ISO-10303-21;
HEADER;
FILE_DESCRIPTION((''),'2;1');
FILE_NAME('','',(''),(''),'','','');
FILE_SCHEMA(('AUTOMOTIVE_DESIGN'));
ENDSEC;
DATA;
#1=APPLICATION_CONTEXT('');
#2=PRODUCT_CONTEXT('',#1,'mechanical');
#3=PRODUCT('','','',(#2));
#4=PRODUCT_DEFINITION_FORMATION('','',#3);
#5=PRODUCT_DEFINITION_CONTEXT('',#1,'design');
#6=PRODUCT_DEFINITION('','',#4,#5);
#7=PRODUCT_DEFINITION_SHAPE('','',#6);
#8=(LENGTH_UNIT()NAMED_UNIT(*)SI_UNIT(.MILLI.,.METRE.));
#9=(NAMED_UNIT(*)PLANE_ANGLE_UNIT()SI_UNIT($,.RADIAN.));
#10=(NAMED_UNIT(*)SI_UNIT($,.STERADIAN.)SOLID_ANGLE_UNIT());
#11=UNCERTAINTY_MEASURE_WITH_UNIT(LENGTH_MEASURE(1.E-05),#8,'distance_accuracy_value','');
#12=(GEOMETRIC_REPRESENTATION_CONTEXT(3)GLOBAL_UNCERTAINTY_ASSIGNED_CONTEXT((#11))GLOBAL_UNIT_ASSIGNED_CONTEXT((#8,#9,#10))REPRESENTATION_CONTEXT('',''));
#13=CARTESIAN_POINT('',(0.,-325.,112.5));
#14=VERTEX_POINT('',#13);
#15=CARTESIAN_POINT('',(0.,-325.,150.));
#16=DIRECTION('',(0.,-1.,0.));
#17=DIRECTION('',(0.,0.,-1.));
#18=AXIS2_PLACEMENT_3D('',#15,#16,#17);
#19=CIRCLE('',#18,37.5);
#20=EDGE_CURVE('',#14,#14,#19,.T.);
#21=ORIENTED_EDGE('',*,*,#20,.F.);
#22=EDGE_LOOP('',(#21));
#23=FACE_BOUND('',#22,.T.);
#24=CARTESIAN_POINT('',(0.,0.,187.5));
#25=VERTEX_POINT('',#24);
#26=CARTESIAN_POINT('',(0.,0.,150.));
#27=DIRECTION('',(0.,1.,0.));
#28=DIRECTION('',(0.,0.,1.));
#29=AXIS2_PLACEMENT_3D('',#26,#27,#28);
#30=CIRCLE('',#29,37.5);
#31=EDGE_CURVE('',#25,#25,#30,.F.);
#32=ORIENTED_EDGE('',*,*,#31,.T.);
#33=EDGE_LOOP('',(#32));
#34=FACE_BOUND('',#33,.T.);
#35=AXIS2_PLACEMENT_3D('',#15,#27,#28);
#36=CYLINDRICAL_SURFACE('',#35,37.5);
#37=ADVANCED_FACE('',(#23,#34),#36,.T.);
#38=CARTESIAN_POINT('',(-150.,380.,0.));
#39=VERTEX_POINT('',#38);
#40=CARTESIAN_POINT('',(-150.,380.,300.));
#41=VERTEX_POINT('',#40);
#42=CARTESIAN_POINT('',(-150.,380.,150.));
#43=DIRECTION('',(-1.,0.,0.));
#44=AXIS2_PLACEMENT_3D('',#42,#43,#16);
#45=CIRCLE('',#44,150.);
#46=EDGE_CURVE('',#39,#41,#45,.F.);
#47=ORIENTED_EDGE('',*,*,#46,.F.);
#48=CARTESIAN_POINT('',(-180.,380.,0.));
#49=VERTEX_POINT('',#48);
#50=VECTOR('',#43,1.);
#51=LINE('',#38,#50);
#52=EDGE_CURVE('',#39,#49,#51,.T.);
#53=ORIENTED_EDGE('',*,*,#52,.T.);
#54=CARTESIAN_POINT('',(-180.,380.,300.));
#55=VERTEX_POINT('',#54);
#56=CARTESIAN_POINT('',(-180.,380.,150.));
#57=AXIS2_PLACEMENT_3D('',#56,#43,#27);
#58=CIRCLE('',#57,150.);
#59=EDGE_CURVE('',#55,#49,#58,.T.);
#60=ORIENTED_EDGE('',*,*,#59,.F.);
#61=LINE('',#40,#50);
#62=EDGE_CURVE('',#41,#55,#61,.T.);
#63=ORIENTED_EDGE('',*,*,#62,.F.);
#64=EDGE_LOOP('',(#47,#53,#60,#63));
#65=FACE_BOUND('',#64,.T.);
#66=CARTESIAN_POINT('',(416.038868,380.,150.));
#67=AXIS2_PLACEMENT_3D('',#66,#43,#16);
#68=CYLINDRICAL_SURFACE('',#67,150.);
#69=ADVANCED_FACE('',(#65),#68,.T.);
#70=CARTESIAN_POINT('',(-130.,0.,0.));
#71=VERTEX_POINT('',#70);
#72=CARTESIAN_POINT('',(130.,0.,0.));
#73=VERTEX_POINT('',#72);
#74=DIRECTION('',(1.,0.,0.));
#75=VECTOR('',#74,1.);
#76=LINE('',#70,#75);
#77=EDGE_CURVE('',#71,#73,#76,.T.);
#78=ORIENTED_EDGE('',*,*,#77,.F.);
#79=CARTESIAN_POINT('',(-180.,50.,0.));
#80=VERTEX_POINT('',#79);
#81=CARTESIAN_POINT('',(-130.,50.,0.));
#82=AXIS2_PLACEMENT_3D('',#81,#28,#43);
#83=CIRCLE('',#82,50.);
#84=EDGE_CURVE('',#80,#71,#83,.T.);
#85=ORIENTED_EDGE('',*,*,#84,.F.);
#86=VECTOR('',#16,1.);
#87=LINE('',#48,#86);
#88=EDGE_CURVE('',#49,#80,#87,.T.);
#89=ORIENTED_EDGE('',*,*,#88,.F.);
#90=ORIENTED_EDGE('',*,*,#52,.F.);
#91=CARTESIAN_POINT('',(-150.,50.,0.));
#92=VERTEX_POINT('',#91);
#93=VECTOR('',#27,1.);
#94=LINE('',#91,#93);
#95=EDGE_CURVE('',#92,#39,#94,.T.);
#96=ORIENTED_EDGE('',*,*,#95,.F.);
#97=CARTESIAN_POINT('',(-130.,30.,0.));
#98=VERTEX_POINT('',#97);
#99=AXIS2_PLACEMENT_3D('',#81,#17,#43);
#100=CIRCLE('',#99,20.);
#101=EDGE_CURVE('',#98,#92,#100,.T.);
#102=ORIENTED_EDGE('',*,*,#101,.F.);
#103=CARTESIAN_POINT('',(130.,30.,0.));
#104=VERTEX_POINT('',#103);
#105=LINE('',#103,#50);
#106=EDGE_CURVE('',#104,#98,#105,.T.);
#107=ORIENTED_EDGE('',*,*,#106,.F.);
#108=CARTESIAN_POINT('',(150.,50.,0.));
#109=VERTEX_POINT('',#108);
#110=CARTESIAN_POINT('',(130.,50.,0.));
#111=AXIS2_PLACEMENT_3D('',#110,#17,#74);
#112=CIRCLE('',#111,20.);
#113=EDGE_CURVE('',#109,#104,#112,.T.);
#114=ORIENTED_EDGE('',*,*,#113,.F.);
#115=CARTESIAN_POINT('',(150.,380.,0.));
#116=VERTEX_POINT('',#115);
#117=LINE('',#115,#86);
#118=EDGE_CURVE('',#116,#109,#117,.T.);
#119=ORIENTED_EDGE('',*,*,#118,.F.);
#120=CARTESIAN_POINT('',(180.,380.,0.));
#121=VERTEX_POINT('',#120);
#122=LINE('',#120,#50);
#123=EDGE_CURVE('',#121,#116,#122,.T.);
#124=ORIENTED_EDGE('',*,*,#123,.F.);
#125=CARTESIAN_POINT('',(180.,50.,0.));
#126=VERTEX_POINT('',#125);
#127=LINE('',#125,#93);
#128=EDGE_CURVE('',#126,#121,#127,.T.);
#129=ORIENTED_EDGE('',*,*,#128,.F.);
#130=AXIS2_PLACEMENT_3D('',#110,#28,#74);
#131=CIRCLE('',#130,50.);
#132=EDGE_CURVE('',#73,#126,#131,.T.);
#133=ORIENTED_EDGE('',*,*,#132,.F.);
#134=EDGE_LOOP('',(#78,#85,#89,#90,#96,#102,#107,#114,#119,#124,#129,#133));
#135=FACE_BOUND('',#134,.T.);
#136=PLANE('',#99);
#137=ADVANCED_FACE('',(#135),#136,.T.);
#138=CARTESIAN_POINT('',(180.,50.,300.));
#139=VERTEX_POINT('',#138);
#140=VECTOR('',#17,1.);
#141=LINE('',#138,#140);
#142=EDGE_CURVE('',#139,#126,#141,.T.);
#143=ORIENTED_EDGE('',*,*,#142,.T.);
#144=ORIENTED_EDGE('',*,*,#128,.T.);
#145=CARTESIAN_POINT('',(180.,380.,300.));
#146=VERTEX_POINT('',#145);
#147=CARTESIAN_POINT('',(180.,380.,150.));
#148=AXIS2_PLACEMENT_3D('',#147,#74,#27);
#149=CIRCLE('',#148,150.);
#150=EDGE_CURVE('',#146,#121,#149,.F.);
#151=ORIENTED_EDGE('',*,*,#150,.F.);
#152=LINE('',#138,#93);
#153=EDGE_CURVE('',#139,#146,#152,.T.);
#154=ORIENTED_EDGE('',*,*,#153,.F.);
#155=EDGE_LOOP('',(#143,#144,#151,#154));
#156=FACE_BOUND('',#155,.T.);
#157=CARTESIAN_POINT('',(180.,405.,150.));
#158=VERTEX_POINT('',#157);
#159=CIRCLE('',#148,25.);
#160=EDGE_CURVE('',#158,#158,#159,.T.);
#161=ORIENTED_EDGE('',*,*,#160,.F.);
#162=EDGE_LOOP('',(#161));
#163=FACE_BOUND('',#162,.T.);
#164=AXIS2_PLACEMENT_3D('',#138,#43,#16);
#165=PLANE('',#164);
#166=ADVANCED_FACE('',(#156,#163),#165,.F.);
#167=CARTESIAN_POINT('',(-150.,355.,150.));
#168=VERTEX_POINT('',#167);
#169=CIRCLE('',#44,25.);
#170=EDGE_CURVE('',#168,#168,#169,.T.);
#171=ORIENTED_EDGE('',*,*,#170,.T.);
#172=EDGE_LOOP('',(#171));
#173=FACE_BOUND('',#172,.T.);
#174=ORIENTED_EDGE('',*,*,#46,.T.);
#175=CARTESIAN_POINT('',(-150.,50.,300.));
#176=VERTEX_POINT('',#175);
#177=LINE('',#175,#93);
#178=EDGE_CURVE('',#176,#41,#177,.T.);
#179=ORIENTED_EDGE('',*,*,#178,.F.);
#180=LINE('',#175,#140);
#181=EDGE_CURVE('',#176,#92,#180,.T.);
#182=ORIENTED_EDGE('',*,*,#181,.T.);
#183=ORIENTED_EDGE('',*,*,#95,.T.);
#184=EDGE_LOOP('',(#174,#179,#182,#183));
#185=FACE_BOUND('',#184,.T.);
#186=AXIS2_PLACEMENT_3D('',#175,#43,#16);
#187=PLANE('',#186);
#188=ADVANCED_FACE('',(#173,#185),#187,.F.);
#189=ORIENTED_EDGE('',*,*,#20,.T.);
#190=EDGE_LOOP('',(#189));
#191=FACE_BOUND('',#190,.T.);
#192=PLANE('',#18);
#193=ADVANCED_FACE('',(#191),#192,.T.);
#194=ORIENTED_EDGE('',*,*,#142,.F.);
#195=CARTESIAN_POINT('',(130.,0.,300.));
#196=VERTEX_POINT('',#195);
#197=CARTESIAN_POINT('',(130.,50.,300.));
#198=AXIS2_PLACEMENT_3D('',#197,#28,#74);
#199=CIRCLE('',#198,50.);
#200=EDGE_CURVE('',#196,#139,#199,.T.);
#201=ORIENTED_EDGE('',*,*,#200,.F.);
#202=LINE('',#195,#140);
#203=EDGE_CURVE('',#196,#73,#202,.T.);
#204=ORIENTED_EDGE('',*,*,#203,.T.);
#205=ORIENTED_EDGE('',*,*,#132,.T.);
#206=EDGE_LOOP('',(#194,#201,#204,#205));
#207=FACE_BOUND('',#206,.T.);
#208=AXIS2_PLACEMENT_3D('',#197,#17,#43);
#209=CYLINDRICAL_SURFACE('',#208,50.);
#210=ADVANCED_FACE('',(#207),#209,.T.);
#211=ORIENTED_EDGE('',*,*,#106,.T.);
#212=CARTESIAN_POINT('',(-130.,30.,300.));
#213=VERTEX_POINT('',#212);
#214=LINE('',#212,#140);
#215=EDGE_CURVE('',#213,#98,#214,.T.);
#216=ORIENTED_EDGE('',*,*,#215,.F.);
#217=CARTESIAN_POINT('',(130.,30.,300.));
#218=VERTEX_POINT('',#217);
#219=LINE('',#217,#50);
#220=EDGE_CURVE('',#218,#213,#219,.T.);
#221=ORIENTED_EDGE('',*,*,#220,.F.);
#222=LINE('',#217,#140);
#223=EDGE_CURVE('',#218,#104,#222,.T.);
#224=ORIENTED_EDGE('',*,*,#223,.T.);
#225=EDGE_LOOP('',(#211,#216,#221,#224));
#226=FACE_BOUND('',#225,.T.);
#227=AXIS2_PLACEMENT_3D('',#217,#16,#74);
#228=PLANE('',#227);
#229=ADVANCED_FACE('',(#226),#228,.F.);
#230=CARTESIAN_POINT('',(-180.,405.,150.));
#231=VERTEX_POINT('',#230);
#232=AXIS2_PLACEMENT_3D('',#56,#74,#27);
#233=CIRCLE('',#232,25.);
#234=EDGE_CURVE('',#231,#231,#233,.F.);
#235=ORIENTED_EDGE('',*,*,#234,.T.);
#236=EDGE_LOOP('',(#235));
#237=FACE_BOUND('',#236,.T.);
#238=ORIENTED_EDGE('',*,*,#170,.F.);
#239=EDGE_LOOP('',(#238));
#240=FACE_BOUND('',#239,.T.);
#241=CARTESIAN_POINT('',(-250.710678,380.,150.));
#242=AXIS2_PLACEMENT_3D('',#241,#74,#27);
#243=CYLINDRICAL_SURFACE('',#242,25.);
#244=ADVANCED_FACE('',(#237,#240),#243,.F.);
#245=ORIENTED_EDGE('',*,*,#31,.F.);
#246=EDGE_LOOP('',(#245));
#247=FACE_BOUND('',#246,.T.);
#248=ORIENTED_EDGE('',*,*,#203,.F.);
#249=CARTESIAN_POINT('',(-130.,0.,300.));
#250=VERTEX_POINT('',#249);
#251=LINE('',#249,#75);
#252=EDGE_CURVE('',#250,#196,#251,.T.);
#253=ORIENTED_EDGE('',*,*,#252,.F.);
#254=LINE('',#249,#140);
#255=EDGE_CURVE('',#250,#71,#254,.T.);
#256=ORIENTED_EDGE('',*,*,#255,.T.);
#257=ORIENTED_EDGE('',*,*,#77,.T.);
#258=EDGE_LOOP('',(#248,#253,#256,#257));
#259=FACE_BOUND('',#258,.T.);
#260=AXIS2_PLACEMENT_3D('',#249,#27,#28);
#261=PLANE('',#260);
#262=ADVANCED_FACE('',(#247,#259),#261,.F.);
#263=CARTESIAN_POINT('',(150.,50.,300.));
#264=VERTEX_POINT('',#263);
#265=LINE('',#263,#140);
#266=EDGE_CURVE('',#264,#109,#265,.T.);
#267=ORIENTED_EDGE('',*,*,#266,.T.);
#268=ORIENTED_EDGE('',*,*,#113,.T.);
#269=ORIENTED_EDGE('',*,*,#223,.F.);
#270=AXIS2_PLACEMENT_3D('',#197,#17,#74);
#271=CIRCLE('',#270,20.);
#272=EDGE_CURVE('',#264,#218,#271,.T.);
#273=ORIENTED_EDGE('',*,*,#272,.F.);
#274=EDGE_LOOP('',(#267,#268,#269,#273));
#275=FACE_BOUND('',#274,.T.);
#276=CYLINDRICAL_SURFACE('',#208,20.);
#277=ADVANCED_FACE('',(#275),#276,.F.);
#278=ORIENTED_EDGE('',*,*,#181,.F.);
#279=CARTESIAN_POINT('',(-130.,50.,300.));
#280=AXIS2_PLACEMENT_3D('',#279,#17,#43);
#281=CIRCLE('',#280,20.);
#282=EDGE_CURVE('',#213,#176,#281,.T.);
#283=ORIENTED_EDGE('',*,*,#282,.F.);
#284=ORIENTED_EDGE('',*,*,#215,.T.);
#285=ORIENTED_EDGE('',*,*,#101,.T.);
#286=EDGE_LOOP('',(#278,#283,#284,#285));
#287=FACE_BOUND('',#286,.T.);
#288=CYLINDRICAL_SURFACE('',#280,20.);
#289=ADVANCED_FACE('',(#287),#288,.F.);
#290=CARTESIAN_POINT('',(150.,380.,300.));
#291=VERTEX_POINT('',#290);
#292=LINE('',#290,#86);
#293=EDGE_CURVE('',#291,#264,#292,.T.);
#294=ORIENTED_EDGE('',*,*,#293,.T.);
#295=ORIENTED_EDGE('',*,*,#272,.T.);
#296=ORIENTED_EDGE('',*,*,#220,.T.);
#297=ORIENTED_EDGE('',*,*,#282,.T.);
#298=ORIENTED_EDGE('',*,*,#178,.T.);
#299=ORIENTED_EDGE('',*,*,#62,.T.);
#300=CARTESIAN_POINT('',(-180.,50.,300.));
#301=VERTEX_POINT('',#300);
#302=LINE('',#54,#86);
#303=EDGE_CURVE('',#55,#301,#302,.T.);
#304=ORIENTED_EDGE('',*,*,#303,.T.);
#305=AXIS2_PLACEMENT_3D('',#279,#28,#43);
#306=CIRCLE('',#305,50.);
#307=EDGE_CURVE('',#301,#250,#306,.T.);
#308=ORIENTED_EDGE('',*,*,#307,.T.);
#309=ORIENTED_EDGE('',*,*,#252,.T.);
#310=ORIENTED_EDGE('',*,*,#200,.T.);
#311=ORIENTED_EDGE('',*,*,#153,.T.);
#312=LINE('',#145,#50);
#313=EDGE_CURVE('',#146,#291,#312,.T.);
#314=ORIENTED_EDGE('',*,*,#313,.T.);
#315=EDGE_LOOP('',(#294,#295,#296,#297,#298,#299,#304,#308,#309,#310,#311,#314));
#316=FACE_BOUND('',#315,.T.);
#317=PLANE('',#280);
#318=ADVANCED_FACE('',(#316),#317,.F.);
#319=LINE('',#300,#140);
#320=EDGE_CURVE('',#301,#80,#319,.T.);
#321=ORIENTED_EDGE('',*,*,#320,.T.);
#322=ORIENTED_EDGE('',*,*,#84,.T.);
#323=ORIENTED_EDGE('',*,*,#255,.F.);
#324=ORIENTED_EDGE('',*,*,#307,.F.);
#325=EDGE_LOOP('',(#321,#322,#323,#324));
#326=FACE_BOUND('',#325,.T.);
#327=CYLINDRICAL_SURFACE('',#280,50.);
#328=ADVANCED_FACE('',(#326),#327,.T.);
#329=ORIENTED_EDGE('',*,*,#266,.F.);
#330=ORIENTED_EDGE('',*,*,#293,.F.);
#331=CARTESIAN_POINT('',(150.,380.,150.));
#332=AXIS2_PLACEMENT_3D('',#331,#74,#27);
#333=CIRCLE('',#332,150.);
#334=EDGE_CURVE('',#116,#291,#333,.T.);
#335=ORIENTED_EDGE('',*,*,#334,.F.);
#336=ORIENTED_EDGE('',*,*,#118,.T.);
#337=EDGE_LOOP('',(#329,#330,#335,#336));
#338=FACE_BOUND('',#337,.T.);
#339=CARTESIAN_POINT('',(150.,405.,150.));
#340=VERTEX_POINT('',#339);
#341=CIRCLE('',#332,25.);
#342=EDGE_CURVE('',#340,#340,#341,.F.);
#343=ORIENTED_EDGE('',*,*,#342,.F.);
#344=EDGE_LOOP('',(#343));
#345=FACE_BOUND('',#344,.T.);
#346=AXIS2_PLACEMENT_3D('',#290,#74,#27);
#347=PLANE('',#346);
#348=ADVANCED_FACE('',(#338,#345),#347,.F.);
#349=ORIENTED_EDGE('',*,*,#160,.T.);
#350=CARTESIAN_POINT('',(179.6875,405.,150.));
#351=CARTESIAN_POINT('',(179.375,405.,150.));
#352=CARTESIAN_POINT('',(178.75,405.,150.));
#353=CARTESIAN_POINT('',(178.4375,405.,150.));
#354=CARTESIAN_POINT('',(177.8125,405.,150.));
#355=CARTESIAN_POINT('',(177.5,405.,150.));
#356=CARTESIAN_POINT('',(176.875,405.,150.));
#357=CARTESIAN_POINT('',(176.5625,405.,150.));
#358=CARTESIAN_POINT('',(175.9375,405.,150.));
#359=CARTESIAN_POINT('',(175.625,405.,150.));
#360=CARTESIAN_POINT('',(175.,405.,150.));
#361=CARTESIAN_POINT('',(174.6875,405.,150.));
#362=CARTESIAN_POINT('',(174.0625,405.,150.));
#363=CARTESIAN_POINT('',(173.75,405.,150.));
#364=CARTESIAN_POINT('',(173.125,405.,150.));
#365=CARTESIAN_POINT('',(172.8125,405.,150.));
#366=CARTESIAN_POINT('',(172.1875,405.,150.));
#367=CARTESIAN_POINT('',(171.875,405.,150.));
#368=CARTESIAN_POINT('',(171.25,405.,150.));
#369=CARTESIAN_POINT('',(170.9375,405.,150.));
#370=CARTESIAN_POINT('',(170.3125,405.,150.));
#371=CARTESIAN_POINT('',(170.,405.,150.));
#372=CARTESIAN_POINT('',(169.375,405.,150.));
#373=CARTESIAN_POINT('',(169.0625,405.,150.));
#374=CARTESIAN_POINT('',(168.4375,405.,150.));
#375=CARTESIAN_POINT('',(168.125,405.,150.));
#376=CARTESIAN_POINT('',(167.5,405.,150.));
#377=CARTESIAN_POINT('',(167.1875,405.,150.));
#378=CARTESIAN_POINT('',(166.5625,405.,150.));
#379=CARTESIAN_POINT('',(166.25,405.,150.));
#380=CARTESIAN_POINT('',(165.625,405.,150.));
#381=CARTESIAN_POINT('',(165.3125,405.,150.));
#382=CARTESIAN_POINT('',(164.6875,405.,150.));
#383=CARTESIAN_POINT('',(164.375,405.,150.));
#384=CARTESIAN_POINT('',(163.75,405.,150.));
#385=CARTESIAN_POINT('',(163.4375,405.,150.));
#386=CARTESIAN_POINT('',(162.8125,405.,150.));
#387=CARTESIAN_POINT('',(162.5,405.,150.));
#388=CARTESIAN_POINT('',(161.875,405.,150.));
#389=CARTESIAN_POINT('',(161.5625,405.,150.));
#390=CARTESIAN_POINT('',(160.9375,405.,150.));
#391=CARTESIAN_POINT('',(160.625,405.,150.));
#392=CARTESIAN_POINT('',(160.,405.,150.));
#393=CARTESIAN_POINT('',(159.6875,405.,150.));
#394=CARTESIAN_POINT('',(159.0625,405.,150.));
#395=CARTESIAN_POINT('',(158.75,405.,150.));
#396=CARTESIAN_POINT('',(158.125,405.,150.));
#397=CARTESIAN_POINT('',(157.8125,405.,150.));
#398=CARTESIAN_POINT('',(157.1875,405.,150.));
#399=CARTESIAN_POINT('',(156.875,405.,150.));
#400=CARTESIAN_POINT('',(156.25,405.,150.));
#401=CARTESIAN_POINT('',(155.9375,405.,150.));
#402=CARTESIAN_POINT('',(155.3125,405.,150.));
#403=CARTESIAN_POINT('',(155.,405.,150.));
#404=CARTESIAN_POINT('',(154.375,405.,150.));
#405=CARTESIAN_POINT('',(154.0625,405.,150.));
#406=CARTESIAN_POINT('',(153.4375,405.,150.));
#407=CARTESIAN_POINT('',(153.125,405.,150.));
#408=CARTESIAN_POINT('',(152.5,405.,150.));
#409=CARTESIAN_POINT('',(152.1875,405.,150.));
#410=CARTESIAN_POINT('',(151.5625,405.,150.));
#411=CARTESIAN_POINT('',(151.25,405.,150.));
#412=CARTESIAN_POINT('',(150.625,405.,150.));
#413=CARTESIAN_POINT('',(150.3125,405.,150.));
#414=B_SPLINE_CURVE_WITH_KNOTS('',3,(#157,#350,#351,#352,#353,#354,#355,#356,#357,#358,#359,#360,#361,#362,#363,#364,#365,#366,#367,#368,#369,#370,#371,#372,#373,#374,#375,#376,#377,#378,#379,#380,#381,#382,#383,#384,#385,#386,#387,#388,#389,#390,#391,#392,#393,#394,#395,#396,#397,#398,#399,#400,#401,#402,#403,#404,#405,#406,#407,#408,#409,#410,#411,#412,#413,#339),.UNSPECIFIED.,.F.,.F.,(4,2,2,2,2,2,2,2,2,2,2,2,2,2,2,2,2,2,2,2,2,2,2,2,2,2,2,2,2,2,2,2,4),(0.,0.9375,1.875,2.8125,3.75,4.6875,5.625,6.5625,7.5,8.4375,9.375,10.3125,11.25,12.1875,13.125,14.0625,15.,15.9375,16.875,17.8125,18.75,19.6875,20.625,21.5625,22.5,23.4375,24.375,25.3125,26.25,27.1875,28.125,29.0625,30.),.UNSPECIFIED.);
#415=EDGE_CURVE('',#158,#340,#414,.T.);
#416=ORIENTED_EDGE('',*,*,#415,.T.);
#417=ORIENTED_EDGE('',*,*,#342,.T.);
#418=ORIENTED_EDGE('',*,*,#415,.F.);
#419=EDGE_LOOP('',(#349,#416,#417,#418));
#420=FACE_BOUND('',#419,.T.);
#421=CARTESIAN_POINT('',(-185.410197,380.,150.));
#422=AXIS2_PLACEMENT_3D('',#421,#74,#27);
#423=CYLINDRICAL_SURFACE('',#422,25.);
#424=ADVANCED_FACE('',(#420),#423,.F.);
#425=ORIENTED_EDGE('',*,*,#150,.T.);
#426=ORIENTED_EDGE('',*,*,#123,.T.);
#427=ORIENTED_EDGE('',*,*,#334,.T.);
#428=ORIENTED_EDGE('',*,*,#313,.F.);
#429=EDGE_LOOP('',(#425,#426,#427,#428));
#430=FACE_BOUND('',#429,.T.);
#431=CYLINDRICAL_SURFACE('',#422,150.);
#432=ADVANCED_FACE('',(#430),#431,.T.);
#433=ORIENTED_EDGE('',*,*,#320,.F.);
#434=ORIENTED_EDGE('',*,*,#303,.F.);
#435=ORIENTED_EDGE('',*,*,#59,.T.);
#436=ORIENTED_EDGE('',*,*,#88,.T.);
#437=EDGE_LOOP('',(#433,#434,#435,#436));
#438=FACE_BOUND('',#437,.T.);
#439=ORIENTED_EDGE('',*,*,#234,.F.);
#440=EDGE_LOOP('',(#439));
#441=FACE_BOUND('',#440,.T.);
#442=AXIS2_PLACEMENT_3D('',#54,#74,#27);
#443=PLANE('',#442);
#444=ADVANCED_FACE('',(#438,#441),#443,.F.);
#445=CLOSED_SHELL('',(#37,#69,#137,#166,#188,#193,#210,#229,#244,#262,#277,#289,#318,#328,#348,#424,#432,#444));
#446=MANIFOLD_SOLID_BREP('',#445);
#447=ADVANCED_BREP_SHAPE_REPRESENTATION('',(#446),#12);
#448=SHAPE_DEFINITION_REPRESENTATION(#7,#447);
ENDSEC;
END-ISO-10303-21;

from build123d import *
from build123d.topology import SkipClean

# Parameters (mm, degrees)
BOSS_EXTRUDE1_DEPTH = 300
SKETCH2_R           = 37.5
BOSS_EXTRUDE2_DEPTH = 325
BOSS_EXTRUDE3_DEPTH = 30
SKETCH3_4_R         = 25
CUT_EXTRUDE1_DEPTH  = 360
BOSS_EXTRUDE4_START = -30
BOSS_EXTRUDE4_DEPTH = 30
SKETCH3_9_R         = 25
CUT_EXTRUDE2_DEPTH  = 360


with BuildPart() as part:
    # Sketch1 → Boss-Extrude1 (new body)
    with BuildSketch(Plane.XY):
        with BuildLine():
            Line((-130, 0), (130, 0))
            ThreePointArc((130, 0), (165.355339059, 14.644660941), (180, 50))
            Line((180, 50), (180, 380))
            Line((180, 380), (150, 380))
            Line((150, 380), (150, 50))
            ThreePointArc((150, 50), (144.142135624, 35.857864376), (130, 30))
            Line((130, 30), (-130, 30))
            ThreePointArc((-130, 30), (-144.142135624, 35.857864376), (-150, 50))
            Line((-150, 50), (-150, 380))
            Line((-150, 380), (-180, 380))
            Line((-180, 380), (-180, 50))
            ThreePointArc((-180, 50), (-165.355339059, 14.644660941), (-130, 0))
        make_face()
    extrude(amount=BOSS_EXTRUDE1_DEPTH)

    # Sketch2 → Boss-Extrude2 (add)
    with BuildSketch(Plane.XZ):
        with Locations(Location((0, 150, 0), (0, 0, 90))):
            Circle(SKETCH2_R)
    extrude(amount=BOSS_EXTRUDE2_DEPTH)

    # Sketch3 → Boss-Extrude3 (add)
    with BuildSketch(Plane(origin=(180, 0, 0), x_dir=(0, 0, -1), z_dir=(1, 0, 0))):
        with BuildLine():
            ThreePointArc((0, 380), (-150, 530), (-300, 380))
            Line((-300, 380), (-175, 380))
            ThreePointArc((-175, 380), (-150, 405), (-125, 380))
            Line((-125, 380), (0, 380))
        make_face()
    extrude(amount=-BOSS_EXTRUDE3_DEPTH)

    # Sketch3<4> → Cut-Extrude1 (cut)
    with SkipClean():  # the faces are left unmerged after this step: merging them gives an invalid solid
        with BuildSketch(Plane(origin=(180, 0, 0), x_dir=(0, 0, -1), z_dir=(1, 0, 0))):
            with Locations(Location((-150, 380, 0), (0, 0, 90))):
                Circle(SKETCH3_4_R)
        extrude(amount=-CUT_EXTRUDE1_DEPTH, mode=Mode.SUBTRACT)

    # Sketch6 → Boss-Extrude4 (add)
    with BuildSketch(Plane.ZY.offset(180).offset(BOSS_EXTRUDE4_START)):
        with BuildLine():
            Line((0, 380), (0, 50))
            Line((0, 50), (300, 50))
            Line((300, 50), (300, 380))
            ThreePointArc((300, 380), (150, 530), (0, 380))
        make_face()
    extrude(amount=BOSS_EXTRUDE4_DEPTH)

    # Sketch3<9> → Cut-Extrude2 (cut)
    with BuildSketch(Plane(origin=(180, 0, 0), x_dir=(0, 0, -1), z_dir=(1, 0, 0))):
        with Locations(Location((-150, 380, 0), (0, 0, 90))):
            Circle(SKETCH3_9_R)
    extrude(amount=-CUT_EXTRUDE2_DEPTH, mode=Mode.SUBTRACT)


solid = part.part
